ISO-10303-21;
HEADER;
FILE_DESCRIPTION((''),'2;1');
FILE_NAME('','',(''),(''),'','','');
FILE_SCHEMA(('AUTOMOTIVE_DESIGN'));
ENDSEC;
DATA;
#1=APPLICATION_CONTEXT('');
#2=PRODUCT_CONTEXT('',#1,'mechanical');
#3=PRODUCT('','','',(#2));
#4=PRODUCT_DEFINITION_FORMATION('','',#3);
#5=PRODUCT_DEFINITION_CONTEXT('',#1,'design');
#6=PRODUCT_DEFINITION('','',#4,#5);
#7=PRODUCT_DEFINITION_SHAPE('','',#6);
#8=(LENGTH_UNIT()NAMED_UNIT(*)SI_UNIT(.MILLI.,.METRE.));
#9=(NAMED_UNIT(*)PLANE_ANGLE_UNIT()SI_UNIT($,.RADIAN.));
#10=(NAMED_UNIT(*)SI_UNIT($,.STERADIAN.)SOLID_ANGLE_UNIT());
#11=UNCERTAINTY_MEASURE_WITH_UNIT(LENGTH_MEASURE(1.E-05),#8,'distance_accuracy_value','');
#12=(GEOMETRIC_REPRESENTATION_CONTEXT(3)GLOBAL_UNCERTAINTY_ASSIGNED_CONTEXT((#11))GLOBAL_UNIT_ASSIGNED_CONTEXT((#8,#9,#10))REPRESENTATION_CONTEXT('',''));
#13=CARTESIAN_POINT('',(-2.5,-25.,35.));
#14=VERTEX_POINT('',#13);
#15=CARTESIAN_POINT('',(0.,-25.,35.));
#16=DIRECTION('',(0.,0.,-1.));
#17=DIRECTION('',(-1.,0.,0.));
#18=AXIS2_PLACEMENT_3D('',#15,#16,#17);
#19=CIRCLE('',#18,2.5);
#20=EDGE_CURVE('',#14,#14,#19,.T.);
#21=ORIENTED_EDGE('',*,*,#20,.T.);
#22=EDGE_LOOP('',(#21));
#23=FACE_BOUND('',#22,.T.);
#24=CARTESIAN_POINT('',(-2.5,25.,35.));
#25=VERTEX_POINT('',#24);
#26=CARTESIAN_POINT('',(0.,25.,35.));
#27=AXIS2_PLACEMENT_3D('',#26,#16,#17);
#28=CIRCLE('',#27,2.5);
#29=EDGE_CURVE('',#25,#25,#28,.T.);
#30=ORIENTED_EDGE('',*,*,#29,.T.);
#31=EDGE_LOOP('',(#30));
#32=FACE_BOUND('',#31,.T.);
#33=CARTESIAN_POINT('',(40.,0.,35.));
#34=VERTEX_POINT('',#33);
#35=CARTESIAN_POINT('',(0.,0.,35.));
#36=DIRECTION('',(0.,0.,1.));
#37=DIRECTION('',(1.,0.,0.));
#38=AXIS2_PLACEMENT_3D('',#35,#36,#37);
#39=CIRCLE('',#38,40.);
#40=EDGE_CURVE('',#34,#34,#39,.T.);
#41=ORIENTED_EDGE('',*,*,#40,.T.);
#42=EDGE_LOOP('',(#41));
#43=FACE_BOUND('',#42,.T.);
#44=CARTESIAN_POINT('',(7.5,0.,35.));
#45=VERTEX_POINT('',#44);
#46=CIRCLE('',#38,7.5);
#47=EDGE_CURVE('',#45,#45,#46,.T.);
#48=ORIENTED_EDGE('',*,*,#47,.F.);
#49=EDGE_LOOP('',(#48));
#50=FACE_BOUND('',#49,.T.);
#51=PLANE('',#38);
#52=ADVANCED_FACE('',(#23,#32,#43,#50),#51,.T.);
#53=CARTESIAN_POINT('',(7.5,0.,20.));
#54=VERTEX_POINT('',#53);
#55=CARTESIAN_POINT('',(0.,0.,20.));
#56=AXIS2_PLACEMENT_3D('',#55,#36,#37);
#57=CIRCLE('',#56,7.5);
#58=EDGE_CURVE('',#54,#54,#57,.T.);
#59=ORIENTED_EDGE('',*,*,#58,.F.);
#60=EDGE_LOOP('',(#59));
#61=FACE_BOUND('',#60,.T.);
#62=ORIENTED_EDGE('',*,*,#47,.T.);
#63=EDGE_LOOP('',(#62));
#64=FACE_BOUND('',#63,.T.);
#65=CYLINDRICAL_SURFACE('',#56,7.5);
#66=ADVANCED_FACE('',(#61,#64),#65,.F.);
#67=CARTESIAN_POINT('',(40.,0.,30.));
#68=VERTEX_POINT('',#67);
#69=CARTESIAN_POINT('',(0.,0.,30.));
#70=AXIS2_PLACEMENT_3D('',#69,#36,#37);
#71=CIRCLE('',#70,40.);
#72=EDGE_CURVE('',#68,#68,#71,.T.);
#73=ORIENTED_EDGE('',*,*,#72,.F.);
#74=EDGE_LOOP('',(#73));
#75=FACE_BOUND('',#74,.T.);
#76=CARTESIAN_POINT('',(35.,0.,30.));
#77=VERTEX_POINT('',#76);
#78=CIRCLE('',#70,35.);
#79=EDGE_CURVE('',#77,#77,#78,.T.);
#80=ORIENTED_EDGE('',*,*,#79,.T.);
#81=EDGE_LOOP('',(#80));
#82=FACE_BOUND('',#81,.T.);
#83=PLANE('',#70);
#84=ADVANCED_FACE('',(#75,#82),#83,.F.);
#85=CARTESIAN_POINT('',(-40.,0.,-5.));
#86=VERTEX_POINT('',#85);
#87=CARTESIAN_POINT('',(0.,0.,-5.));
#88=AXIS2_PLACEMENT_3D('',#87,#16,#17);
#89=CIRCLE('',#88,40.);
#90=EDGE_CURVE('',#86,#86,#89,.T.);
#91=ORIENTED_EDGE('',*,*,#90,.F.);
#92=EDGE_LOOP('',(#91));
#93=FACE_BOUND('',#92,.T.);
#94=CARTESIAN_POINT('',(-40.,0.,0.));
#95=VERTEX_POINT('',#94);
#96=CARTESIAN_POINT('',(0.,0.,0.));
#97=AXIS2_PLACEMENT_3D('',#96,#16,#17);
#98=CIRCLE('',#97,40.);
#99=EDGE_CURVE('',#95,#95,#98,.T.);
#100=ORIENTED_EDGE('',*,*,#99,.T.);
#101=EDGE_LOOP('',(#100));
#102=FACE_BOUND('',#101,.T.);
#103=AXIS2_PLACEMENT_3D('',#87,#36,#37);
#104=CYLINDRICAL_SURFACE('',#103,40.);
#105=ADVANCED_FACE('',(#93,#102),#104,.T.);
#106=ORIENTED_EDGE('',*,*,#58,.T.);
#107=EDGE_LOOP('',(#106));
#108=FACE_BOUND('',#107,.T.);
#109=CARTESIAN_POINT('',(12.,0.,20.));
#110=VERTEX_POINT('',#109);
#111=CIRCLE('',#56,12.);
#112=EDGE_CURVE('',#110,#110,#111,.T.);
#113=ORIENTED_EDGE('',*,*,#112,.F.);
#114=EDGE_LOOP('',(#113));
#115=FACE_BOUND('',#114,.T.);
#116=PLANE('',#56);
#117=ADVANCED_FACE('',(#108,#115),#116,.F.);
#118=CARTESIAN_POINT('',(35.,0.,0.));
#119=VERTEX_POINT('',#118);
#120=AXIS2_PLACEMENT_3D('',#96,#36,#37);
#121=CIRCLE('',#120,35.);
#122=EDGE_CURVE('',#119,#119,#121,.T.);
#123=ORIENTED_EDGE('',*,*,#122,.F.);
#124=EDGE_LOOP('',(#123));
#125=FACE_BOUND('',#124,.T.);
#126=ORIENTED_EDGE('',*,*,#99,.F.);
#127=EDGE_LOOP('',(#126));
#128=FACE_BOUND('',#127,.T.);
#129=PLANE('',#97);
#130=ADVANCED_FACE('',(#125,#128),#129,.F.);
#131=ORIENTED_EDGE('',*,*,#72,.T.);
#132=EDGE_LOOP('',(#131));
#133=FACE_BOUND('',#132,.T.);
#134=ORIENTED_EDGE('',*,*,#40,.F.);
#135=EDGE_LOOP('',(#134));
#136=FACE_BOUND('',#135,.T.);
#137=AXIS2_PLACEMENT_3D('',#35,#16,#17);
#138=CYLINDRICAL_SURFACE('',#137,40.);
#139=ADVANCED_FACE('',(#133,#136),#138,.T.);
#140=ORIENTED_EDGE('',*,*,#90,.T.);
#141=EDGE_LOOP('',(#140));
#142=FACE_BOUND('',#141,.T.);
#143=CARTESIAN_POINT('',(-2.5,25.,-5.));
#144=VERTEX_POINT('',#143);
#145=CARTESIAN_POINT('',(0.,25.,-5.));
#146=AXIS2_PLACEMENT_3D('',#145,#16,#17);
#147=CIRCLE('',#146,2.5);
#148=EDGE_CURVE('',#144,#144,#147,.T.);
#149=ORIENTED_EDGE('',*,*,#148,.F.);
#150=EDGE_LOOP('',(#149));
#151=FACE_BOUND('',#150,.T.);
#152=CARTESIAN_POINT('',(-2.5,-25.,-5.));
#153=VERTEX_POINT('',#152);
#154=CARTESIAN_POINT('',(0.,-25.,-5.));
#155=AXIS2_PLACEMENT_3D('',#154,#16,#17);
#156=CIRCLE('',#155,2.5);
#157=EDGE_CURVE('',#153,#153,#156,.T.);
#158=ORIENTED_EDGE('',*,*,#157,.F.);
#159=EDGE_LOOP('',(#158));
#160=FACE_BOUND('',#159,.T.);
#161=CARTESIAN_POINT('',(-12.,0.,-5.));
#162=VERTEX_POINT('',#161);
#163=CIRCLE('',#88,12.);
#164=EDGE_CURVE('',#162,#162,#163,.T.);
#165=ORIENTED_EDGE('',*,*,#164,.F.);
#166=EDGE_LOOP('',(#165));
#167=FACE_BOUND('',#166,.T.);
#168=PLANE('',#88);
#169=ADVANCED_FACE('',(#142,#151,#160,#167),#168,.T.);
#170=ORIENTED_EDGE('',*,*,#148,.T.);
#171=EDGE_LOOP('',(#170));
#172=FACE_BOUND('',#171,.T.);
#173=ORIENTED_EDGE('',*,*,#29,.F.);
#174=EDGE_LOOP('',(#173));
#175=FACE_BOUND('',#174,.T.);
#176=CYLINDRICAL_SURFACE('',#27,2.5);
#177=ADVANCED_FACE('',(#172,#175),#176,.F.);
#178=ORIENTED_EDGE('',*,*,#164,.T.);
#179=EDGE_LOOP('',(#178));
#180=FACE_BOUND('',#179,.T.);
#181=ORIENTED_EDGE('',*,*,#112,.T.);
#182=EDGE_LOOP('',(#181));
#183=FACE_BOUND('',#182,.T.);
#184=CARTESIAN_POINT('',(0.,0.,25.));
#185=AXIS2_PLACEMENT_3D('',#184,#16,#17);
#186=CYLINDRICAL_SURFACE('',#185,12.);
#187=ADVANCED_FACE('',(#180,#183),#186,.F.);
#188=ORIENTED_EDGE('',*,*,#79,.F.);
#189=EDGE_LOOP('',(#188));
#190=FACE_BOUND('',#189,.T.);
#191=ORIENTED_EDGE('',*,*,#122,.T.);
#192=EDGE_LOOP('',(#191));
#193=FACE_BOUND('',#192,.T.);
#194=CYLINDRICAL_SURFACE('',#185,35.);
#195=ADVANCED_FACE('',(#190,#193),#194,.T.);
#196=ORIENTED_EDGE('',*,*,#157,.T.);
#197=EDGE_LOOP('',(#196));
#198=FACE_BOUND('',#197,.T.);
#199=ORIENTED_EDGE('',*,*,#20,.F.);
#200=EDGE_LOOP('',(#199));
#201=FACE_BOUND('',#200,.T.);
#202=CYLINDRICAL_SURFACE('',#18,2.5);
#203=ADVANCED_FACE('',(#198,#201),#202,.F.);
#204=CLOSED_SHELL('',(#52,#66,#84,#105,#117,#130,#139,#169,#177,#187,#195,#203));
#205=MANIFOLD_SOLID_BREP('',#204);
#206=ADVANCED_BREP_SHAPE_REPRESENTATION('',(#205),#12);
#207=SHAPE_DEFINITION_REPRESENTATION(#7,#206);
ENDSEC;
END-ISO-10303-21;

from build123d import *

# Parameters (mm, degrees)
SKETCH1_R           = 35
SKETCH1_R_2         = 12
BOSS_EXTRUDE1_DEPTH = 25
SKETCH2_R           = 35
SKETCH2_R_2         = 12
BOSS_EXTRUDE2_DEPTH = 5
BOSS_EXTRUDE4_START = -10
SKETCH4_R           = 12
SKETCH4_R_2         = 7.5
BOSS_EXTRUDE4_DEPTH = 10
SKETCH5_R           = 40
SKETCH5_R_2         = 7.5
BOSS_EXTRUDE5_DEPTH = 5
BOSS_EXTRUDE6_START = 5
SKETCH6_R           = 40
SKETCH6_R_2         = 12
BOSS_EXTRUDE6_DEPTH = 5
SKETCH7_R           = 2.5
CUT_EXTRUDE1_DEPTH  = 70.282032303


with BuildPart() as part:
    # Sketch1 → Boss-Extrude1 (new body)
    with BuildSketch(Plane.XY):
        Circle(SKETCH1_R)
        Circle(SKETCH1_R_2, mode=Mode.SUBTRACT)
    extrude(amount=BOSS_EXTRUDE1_DEPTH)

    # Sketch2 → Boss-Extrude2 (add)
    with BuildSketch(Plane.XY.offset(25)):
        Circle(SKETCH2_R)
        Circle(SKETCH2_R_2, mode=Mode.SUBTRACT)
    extrude(amount=BOSS_EXTRUDE2_DEPTH)

    # Sketch4 → Boss-Extrude4 (add)
    with BuildSketch(Plane.XY.offset(30).offset(BOSS_EXTRUDE4_START)):
        Circle(SKETCH4_R)
        Circle(SKETCH4_R_2, mode=Mode.SUBTRACT)
    extrude(amount=BOSS_EXTRUDE4_DEPTH)

    # Sketch5 → Boss-Extrude5 (add)
    with BuildSketch(Plane.XY.offset(30)):
        Circle(SKETCH5_R)
        Circle(SKETCH5_R_2, mode=Mode.SUBTRACT)
    extrude(amount=BOSS_EXTRUDE5_DEPTH)

    # Sketch6 → Boss-Extrude6 (add)
    with BuildSketch(Plane(origin=(0, 0, 0), x_dir=(-1, 0, 0), z_dir=(0, 0, -1)).offset(BOSS_EXTRUDE6_START)):
        with Locations(Location((0, 0, 0), (0, 0, 180))):
            Circle(SKETCH6_R)
        Circle(SKETCH6_R_2, mode=Mode.SUBTRACT)
    extrude(amount=-BOSS_EXTRUDE6_DEPTH)

    # Sketch7 → Cut-Extrude1 (cut, through all)
    with BuildSketch(Plane(origin=(0, 0, -5), x_dir=(-1, 0, 0), z_dir=(0, 0, -1))):
        with Locations((0, 25)):
            Circle(SKETCH7_R)
        with Locations((0, -25)):
            Circle(SKETCH7_R)
    extrude(amount=-CUT_EXTRUDE1_DEPTH, mode=Mode.SUBTRACT)


solid = part.part
